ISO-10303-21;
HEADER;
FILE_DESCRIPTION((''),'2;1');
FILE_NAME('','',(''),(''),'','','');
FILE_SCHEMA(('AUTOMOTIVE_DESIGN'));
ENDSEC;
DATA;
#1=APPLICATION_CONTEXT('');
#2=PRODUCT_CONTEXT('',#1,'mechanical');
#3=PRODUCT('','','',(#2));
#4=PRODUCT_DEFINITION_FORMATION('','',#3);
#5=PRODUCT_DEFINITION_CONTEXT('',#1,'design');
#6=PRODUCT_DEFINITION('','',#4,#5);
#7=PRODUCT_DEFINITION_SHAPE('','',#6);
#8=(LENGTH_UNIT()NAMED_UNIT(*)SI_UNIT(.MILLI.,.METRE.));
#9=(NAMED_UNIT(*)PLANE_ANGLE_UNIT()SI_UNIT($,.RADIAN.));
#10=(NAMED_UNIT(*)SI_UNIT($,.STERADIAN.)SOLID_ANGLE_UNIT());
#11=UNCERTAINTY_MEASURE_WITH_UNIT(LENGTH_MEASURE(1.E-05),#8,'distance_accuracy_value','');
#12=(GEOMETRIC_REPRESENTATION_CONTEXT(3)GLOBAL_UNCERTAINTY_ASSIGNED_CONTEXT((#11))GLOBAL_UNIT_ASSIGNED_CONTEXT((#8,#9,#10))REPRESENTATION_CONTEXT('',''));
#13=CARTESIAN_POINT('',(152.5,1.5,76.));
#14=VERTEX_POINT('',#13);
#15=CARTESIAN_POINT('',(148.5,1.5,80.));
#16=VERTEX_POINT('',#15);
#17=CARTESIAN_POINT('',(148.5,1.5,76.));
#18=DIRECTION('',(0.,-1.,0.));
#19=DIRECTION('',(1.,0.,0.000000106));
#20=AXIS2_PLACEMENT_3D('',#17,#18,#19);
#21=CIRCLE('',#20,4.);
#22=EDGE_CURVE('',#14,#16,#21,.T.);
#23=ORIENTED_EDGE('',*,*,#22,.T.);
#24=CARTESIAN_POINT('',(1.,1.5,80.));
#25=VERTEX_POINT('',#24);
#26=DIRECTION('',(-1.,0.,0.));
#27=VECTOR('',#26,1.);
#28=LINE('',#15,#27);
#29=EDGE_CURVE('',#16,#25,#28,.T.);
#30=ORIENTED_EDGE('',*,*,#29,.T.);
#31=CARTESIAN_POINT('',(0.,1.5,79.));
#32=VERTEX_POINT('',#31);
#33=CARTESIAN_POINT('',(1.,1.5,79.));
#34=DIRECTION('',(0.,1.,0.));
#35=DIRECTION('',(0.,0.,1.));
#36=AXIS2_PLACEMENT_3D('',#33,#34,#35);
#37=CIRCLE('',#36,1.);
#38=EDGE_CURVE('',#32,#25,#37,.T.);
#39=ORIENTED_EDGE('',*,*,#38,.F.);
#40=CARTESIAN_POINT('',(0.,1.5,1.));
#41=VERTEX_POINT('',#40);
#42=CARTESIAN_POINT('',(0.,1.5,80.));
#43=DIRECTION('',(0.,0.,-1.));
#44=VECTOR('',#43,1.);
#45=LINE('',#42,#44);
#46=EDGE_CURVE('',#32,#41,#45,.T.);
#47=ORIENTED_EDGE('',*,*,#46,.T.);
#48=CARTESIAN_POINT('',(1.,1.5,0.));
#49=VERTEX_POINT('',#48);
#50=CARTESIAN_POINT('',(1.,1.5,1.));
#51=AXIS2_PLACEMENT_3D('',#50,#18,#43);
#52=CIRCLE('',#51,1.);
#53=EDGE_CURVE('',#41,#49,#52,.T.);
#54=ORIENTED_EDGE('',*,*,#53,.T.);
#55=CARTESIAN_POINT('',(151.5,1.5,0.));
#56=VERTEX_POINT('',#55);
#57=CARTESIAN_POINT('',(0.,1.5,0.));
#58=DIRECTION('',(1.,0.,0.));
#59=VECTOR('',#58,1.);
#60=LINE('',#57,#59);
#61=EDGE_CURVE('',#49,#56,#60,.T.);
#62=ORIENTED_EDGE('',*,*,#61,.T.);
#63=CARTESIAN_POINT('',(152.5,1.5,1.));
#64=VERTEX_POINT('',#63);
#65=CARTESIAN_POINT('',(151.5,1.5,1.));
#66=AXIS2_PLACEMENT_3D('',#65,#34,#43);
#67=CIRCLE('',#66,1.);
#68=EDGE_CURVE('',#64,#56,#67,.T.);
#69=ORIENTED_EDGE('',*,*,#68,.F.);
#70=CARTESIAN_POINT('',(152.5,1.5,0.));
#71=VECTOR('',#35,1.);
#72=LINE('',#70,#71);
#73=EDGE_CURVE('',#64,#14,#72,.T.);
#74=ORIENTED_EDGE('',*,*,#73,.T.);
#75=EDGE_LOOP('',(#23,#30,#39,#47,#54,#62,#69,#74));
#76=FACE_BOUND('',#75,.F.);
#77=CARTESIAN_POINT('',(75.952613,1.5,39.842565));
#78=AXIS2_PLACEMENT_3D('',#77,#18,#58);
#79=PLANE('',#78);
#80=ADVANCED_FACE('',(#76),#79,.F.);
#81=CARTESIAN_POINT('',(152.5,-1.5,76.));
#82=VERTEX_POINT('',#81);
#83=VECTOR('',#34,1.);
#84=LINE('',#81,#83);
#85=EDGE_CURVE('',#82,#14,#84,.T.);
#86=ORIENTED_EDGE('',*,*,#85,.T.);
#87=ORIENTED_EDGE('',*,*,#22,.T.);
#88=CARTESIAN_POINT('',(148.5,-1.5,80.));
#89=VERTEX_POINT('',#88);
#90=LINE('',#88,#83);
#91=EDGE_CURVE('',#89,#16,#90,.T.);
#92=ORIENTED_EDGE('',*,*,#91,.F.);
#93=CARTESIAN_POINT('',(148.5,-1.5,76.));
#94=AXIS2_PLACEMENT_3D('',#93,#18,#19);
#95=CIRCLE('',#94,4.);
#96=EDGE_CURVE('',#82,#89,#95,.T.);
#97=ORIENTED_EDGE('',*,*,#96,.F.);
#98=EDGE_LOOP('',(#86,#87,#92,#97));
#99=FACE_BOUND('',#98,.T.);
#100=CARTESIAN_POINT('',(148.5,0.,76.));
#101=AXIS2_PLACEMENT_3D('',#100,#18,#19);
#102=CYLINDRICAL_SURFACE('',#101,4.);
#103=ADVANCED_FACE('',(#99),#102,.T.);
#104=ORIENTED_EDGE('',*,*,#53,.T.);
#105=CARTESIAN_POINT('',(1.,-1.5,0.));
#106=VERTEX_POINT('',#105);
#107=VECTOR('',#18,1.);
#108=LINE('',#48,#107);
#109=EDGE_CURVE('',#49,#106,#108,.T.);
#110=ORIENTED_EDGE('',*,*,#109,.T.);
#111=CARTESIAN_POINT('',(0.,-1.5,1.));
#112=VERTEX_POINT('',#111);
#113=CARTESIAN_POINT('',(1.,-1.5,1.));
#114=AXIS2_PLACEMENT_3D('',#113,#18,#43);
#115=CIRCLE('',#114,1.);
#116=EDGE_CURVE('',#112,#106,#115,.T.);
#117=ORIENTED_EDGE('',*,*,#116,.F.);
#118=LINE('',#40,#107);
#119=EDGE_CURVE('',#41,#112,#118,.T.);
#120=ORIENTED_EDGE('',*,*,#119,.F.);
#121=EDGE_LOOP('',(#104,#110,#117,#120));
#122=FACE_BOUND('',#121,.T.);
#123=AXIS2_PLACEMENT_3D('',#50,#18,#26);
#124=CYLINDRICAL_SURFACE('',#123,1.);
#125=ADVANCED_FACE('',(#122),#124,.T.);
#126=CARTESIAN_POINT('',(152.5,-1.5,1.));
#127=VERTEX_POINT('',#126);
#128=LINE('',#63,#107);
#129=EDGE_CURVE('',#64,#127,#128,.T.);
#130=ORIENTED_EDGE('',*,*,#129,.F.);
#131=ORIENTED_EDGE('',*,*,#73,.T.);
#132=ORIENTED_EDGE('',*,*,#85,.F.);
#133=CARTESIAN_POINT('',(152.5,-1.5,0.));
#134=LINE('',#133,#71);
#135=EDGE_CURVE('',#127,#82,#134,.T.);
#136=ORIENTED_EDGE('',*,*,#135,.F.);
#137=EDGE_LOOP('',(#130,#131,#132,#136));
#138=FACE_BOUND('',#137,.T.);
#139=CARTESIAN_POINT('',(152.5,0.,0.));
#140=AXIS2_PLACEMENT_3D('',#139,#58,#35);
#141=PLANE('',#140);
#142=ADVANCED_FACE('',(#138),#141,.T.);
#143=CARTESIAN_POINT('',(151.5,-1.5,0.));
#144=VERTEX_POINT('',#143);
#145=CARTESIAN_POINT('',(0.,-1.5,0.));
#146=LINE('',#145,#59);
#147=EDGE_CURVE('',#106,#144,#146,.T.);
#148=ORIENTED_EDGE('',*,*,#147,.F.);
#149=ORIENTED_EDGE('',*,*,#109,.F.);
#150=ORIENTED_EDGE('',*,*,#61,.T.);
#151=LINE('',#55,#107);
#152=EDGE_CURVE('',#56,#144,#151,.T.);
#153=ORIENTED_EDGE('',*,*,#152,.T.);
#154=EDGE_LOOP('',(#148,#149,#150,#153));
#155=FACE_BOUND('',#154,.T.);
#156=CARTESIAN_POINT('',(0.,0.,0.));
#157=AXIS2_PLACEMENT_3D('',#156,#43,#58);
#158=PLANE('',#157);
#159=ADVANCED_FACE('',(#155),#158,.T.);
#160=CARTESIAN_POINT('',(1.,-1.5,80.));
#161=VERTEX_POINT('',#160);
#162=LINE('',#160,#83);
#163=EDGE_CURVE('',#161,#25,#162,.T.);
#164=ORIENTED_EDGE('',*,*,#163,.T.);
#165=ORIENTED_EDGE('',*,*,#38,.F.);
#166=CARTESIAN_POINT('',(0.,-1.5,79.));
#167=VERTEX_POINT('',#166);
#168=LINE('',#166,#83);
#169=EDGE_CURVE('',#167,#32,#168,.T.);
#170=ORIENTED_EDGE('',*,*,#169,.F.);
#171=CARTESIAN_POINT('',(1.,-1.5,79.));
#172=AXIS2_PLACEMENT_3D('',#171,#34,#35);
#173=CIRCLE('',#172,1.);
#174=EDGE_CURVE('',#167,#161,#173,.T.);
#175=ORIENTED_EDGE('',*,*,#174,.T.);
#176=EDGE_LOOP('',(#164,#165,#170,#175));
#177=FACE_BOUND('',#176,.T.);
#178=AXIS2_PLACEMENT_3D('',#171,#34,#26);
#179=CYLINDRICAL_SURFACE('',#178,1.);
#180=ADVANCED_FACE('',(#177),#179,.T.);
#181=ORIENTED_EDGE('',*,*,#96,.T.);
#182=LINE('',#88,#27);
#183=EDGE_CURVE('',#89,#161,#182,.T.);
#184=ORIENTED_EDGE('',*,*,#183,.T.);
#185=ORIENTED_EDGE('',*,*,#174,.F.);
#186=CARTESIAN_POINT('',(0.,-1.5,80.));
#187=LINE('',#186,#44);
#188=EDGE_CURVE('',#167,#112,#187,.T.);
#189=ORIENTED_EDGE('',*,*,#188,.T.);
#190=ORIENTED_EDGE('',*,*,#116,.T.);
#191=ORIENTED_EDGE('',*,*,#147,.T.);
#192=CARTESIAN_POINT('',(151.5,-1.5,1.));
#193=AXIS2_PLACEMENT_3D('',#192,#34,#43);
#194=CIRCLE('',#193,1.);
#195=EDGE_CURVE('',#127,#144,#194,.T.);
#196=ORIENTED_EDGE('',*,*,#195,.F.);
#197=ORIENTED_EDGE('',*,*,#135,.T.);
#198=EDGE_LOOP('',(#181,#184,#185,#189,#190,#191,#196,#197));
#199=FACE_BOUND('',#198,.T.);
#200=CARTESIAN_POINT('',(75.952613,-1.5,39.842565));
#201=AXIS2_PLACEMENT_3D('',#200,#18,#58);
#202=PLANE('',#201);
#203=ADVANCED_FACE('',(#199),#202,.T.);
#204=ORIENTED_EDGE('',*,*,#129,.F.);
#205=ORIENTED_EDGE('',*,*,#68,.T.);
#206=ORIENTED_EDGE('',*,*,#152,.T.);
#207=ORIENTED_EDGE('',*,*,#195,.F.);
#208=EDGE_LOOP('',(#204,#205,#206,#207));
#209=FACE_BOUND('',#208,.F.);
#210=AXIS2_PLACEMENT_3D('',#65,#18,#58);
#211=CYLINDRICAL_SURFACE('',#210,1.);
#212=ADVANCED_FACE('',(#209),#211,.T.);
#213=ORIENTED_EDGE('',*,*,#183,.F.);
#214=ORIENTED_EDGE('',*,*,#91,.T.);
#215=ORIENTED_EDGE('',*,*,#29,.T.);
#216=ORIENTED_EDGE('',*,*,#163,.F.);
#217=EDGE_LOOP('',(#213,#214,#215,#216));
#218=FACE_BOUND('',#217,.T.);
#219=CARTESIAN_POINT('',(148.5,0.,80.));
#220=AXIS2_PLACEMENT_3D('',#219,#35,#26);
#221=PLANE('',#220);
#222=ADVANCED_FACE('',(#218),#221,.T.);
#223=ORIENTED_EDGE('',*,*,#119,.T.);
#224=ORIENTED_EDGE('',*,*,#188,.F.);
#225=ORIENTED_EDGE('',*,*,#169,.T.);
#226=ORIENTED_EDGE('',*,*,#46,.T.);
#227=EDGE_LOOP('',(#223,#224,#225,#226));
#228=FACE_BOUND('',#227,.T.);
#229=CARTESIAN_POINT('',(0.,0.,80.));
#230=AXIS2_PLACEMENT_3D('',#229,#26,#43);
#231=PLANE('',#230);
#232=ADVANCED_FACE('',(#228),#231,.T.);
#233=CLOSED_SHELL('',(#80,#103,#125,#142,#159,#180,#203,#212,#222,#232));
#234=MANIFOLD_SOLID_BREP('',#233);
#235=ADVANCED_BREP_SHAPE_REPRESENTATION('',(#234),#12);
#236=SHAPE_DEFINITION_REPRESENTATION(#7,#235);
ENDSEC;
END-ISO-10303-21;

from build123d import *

# Parameters (mm, degrees)
F1_DEPTH = 1.5
F2_R     = 1


with BuildPart() as f1:
    # F0 (on Front) → F1 (new body, symmetric)
    with BuildSketch(Plane.XZ):
        with BuildLine():
            Line((0, 80), (0, 0))
            Line((0, 0), (152.5, 0))
            Line((152.5, 0), (152.5, 76))
            ThreePointArc((152.5, 76), (151.328427, 78.828427), (148.5, 80))
            Line((148.5, 80), (0, 80))
        make_face()
    extrude(amount=F1_DEPTH, both=True)

    # F2
    f2_edges = [f1.edges().sort_by_distance(p)[0] for p in [
        (152.5, 0, 0),
        (0, 0, 80),
        (0, 0, 0),
    ]]
    fillet(f2_edges, radius=F2_R)


solid = f1.part
